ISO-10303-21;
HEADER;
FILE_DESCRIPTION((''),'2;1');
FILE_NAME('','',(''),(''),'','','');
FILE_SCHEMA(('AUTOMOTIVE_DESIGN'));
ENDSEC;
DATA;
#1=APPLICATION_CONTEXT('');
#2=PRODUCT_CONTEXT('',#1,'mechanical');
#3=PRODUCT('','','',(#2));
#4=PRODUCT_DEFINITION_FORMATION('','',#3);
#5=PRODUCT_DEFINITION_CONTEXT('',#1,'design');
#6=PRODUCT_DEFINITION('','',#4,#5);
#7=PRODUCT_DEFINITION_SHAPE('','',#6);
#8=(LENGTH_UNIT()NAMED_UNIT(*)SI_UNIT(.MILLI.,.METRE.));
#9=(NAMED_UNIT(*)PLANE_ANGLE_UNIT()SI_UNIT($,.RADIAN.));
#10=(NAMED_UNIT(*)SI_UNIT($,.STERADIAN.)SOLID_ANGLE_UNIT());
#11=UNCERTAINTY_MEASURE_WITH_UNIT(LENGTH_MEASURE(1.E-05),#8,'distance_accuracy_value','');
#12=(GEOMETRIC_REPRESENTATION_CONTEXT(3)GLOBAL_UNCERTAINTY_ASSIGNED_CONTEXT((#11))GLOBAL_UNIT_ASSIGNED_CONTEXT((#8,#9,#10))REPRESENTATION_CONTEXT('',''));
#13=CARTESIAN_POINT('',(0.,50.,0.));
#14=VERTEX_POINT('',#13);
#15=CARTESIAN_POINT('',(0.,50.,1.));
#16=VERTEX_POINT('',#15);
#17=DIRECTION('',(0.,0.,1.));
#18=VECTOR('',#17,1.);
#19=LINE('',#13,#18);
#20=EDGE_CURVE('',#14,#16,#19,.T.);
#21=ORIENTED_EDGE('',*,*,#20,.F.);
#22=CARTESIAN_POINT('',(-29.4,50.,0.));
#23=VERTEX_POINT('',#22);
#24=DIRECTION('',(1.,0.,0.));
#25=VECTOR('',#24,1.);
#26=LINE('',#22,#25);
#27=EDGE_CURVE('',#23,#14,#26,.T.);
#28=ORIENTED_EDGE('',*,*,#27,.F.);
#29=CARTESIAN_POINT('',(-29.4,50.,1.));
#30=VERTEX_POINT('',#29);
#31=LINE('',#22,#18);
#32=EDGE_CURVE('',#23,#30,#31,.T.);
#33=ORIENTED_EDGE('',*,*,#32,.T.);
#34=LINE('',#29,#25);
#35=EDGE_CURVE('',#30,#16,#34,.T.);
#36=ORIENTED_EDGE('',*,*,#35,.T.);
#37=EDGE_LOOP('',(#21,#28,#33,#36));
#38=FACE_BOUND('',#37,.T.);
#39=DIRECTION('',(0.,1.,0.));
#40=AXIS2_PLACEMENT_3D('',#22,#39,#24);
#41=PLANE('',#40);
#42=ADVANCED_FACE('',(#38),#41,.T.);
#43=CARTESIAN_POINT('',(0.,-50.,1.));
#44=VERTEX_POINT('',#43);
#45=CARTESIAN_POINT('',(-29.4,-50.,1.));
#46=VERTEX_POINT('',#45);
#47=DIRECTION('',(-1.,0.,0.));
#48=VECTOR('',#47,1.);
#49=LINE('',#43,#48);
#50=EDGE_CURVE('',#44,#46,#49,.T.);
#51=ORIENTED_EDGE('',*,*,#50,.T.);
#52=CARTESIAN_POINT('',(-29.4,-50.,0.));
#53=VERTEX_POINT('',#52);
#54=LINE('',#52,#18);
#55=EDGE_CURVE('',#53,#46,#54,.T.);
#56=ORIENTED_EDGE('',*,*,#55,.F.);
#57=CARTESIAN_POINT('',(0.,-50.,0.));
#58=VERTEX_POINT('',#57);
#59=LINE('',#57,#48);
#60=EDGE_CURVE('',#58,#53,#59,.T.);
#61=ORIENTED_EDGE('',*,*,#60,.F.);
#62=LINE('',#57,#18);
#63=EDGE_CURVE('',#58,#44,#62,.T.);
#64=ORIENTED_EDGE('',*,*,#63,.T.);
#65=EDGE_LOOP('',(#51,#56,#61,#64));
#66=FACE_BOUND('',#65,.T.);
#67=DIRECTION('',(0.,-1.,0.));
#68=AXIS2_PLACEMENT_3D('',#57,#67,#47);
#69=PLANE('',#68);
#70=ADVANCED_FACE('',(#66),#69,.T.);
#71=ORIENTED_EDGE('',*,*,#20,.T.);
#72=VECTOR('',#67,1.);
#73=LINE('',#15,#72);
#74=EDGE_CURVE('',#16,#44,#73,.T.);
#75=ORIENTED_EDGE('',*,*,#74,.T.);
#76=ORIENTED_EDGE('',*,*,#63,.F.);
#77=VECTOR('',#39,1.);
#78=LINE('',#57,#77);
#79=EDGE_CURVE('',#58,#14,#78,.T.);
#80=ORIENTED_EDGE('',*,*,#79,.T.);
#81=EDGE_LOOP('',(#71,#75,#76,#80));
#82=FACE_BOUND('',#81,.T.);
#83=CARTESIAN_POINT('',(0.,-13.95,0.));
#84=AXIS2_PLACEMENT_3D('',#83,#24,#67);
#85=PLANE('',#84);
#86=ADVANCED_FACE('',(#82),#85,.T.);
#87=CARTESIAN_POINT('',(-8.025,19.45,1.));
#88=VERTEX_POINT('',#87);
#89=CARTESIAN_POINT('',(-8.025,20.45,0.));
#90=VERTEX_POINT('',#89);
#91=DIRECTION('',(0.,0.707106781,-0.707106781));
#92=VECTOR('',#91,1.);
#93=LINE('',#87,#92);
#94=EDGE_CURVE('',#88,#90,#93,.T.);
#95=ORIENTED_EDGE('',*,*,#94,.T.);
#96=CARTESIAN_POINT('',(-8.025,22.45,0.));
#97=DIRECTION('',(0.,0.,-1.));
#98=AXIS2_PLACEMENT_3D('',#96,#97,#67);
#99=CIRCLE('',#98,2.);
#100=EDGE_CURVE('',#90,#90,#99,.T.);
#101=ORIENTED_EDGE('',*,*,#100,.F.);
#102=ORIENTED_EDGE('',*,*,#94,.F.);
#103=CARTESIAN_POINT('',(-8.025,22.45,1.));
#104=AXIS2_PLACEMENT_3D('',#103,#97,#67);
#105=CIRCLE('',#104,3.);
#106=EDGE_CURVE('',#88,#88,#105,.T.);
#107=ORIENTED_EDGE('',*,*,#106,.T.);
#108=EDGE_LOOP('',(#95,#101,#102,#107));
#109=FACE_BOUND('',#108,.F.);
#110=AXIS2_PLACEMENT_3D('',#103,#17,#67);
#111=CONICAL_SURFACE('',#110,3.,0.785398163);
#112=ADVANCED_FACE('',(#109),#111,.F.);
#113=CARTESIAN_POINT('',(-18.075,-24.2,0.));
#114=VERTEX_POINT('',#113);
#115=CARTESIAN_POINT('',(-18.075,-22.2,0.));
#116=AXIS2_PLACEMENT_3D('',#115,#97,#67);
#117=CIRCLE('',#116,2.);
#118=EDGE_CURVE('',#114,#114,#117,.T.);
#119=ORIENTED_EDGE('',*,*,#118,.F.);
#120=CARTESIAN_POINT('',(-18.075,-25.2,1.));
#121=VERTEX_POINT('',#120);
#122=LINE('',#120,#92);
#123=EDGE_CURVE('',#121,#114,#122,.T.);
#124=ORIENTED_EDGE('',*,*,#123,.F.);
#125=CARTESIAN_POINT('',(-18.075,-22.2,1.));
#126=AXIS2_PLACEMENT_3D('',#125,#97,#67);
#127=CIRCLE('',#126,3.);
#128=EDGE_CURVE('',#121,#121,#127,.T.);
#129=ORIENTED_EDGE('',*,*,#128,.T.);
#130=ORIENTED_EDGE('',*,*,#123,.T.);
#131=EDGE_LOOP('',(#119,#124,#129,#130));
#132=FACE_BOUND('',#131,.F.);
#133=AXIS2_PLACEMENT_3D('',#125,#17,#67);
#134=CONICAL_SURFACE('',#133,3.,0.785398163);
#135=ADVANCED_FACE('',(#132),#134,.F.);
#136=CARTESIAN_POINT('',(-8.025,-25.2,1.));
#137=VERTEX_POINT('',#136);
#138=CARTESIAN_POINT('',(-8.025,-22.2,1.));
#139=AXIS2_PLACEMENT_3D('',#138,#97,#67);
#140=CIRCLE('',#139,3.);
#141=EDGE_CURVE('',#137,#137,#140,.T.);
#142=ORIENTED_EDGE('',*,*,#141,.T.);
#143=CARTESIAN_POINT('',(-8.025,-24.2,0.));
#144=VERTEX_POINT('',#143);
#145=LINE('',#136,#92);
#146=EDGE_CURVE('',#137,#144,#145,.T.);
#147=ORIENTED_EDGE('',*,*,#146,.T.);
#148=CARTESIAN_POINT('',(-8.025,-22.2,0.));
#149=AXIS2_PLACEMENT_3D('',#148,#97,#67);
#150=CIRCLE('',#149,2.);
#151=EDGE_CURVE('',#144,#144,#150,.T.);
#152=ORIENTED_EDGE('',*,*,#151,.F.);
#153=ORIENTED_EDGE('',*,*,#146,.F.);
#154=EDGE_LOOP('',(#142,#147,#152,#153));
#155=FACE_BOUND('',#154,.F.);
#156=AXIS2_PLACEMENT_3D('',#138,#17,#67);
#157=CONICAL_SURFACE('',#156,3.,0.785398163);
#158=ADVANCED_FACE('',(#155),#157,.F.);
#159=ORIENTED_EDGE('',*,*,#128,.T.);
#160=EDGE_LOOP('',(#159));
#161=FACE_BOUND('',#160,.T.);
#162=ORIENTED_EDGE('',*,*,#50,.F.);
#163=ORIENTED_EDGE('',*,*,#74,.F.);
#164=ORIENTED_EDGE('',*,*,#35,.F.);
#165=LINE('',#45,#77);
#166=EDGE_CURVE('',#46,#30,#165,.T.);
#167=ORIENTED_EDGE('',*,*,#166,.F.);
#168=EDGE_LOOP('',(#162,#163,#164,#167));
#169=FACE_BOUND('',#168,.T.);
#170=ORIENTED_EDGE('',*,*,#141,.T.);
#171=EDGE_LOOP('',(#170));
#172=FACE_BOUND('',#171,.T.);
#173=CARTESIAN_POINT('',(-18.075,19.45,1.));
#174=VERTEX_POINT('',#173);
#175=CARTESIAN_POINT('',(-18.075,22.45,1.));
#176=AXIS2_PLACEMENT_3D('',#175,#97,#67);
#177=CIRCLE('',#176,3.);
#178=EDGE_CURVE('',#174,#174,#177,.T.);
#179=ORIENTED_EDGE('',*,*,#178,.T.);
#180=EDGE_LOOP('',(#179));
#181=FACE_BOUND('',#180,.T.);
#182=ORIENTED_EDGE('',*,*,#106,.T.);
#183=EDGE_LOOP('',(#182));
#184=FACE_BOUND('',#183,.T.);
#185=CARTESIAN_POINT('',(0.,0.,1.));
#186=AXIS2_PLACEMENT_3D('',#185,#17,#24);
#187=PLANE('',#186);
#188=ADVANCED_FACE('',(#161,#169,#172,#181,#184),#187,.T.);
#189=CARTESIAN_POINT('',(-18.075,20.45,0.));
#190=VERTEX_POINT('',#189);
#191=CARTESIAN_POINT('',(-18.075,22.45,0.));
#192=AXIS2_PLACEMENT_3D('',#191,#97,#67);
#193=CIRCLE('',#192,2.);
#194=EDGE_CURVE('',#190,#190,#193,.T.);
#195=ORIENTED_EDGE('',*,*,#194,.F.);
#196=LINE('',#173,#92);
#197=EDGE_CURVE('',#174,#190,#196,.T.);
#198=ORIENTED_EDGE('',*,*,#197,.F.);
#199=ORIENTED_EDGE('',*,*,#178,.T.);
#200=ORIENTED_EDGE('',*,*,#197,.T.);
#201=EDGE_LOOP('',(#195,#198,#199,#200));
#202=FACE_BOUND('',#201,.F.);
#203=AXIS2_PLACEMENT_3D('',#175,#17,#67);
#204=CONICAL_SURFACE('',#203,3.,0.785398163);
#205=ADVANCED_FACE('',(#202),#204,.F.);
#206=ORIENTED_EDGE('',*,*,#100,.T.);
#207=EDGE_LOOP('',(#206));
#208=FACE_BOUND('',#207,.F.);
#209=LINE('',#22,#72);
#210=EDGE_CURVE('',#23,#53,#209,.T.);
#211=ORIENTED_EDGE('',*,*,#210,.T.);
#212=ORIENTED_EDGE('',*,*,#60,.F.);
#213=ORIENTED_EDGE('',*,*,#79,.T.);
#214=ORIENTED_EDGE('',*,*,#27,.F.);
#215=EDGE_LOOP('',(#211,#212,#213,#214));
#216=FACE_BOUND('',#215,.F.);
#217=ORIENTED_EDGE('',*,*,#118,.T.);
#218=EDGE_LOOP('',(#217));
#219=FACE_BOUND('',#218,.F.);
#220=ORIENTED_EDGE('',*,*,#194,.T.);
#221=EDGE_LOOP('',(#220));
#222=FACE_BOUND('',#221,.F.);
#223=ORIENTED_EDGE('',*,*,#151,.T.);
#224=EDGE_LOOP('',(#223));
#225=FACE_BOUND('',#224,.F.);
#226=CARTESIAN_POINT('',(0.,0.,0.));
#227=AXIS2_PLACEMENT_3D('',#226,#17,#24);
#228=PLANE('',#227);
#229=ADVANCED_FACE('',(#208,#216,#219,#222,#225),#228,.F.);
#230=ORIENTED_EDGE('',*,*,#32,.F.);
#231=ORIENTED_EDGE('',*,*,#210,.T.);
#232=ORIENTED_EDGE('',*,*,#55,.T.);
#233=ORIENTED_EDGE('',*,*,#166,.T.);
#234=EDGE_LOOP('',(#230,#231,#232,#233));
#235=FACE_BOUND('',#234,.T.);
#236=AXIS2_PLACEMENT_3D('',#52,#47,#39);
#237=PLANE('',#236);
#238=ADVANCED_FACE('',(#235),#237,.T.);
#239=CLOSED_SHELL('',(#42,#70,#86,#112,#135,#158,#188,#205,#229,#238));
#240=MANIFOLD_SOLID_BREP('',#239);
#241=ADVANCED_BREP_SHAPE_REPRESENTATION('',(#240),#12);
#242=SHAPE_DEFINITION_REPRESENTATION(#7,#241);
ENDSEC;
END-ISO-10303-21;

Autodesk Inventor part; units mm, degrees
ref_plane "YZ Plane" through (0, 0, 0) normal (1, 0, 0) x (0, 1, 0)
ref_plane "XZ Plane" through (0, 0, 0) normal (0, 1, 0) x (-1, 0, 0)
ref_plane "XY Plane" through (0, 0, 0) normal (0, 0, 1) x (1, 0, 0)
sketch "Sketch1" plane through (0, 0, 0) normal (0, 0, 1) x (1, 0, 0)
  line L0 (0, -50) -> (-29.4, -50)
  line L1 (-29.4, -50) -> (-29.4, 50)
  line L2 (-29.4, 50) -> (0, 50)
  line L3 (0, 50) -> (0, -50)
  line L4 (0, -13.95) -> (-29.4, -13.95) projected
  point P0 (0, 0)
  dimension "d0" = 50
  dimension "d1" = 50
  dimension "d2" = 0
extrude "Extrusion1" add sketch "Sketch1" along normal blind 1
sketch "Sketch2" plane through (0, 0, 1) normal (0, 0, 1) x (1, 0, 0)
  circle A0 centre (-8.025, -22.2) radius 1.425 projected
  circle A1 centre (-18.075, -22.2) radius 1.425 projected
  line L0 (-27.4, -19.2) -> (0, -19.2) projected
  line L1 (-27.4, -19.2) -> (-27.4, -28.5) projected
  line L2 (-27.4, -28.5) -> (0, -28.5) projected
  line L3 (0, -19.2) -> (0, -28.5) projected
  circle A2 centre (-8.025, 22.45) radius 1.2295 projected
  circle A3 centre (-18.075, 22.45) radius 1.2295 projected
  line L4 (-27.4, 19.2) -> (0, 19.2) projected
  line L5 (0, 19.2) -> (0, 28.5) projected
  line L6 (0, 28.5) -> (-27.4, 28.5) projected
  line L7 (-27.4, 19.2) -> (-27.4, 28.5) projected
  point P0 (0, 0)
hole "Hole1" at (-8.025, -22.2, 1) at (-18.075, -22.2, 1) at (-18.075, 22.45, 1) at (-8.025, 22.45, 1) direction (0, 0, -1) diameter 3 depth 10 countersink diameter 6 countersink angle 90
properties part number "MetalBack" material "Stainless Steel"
